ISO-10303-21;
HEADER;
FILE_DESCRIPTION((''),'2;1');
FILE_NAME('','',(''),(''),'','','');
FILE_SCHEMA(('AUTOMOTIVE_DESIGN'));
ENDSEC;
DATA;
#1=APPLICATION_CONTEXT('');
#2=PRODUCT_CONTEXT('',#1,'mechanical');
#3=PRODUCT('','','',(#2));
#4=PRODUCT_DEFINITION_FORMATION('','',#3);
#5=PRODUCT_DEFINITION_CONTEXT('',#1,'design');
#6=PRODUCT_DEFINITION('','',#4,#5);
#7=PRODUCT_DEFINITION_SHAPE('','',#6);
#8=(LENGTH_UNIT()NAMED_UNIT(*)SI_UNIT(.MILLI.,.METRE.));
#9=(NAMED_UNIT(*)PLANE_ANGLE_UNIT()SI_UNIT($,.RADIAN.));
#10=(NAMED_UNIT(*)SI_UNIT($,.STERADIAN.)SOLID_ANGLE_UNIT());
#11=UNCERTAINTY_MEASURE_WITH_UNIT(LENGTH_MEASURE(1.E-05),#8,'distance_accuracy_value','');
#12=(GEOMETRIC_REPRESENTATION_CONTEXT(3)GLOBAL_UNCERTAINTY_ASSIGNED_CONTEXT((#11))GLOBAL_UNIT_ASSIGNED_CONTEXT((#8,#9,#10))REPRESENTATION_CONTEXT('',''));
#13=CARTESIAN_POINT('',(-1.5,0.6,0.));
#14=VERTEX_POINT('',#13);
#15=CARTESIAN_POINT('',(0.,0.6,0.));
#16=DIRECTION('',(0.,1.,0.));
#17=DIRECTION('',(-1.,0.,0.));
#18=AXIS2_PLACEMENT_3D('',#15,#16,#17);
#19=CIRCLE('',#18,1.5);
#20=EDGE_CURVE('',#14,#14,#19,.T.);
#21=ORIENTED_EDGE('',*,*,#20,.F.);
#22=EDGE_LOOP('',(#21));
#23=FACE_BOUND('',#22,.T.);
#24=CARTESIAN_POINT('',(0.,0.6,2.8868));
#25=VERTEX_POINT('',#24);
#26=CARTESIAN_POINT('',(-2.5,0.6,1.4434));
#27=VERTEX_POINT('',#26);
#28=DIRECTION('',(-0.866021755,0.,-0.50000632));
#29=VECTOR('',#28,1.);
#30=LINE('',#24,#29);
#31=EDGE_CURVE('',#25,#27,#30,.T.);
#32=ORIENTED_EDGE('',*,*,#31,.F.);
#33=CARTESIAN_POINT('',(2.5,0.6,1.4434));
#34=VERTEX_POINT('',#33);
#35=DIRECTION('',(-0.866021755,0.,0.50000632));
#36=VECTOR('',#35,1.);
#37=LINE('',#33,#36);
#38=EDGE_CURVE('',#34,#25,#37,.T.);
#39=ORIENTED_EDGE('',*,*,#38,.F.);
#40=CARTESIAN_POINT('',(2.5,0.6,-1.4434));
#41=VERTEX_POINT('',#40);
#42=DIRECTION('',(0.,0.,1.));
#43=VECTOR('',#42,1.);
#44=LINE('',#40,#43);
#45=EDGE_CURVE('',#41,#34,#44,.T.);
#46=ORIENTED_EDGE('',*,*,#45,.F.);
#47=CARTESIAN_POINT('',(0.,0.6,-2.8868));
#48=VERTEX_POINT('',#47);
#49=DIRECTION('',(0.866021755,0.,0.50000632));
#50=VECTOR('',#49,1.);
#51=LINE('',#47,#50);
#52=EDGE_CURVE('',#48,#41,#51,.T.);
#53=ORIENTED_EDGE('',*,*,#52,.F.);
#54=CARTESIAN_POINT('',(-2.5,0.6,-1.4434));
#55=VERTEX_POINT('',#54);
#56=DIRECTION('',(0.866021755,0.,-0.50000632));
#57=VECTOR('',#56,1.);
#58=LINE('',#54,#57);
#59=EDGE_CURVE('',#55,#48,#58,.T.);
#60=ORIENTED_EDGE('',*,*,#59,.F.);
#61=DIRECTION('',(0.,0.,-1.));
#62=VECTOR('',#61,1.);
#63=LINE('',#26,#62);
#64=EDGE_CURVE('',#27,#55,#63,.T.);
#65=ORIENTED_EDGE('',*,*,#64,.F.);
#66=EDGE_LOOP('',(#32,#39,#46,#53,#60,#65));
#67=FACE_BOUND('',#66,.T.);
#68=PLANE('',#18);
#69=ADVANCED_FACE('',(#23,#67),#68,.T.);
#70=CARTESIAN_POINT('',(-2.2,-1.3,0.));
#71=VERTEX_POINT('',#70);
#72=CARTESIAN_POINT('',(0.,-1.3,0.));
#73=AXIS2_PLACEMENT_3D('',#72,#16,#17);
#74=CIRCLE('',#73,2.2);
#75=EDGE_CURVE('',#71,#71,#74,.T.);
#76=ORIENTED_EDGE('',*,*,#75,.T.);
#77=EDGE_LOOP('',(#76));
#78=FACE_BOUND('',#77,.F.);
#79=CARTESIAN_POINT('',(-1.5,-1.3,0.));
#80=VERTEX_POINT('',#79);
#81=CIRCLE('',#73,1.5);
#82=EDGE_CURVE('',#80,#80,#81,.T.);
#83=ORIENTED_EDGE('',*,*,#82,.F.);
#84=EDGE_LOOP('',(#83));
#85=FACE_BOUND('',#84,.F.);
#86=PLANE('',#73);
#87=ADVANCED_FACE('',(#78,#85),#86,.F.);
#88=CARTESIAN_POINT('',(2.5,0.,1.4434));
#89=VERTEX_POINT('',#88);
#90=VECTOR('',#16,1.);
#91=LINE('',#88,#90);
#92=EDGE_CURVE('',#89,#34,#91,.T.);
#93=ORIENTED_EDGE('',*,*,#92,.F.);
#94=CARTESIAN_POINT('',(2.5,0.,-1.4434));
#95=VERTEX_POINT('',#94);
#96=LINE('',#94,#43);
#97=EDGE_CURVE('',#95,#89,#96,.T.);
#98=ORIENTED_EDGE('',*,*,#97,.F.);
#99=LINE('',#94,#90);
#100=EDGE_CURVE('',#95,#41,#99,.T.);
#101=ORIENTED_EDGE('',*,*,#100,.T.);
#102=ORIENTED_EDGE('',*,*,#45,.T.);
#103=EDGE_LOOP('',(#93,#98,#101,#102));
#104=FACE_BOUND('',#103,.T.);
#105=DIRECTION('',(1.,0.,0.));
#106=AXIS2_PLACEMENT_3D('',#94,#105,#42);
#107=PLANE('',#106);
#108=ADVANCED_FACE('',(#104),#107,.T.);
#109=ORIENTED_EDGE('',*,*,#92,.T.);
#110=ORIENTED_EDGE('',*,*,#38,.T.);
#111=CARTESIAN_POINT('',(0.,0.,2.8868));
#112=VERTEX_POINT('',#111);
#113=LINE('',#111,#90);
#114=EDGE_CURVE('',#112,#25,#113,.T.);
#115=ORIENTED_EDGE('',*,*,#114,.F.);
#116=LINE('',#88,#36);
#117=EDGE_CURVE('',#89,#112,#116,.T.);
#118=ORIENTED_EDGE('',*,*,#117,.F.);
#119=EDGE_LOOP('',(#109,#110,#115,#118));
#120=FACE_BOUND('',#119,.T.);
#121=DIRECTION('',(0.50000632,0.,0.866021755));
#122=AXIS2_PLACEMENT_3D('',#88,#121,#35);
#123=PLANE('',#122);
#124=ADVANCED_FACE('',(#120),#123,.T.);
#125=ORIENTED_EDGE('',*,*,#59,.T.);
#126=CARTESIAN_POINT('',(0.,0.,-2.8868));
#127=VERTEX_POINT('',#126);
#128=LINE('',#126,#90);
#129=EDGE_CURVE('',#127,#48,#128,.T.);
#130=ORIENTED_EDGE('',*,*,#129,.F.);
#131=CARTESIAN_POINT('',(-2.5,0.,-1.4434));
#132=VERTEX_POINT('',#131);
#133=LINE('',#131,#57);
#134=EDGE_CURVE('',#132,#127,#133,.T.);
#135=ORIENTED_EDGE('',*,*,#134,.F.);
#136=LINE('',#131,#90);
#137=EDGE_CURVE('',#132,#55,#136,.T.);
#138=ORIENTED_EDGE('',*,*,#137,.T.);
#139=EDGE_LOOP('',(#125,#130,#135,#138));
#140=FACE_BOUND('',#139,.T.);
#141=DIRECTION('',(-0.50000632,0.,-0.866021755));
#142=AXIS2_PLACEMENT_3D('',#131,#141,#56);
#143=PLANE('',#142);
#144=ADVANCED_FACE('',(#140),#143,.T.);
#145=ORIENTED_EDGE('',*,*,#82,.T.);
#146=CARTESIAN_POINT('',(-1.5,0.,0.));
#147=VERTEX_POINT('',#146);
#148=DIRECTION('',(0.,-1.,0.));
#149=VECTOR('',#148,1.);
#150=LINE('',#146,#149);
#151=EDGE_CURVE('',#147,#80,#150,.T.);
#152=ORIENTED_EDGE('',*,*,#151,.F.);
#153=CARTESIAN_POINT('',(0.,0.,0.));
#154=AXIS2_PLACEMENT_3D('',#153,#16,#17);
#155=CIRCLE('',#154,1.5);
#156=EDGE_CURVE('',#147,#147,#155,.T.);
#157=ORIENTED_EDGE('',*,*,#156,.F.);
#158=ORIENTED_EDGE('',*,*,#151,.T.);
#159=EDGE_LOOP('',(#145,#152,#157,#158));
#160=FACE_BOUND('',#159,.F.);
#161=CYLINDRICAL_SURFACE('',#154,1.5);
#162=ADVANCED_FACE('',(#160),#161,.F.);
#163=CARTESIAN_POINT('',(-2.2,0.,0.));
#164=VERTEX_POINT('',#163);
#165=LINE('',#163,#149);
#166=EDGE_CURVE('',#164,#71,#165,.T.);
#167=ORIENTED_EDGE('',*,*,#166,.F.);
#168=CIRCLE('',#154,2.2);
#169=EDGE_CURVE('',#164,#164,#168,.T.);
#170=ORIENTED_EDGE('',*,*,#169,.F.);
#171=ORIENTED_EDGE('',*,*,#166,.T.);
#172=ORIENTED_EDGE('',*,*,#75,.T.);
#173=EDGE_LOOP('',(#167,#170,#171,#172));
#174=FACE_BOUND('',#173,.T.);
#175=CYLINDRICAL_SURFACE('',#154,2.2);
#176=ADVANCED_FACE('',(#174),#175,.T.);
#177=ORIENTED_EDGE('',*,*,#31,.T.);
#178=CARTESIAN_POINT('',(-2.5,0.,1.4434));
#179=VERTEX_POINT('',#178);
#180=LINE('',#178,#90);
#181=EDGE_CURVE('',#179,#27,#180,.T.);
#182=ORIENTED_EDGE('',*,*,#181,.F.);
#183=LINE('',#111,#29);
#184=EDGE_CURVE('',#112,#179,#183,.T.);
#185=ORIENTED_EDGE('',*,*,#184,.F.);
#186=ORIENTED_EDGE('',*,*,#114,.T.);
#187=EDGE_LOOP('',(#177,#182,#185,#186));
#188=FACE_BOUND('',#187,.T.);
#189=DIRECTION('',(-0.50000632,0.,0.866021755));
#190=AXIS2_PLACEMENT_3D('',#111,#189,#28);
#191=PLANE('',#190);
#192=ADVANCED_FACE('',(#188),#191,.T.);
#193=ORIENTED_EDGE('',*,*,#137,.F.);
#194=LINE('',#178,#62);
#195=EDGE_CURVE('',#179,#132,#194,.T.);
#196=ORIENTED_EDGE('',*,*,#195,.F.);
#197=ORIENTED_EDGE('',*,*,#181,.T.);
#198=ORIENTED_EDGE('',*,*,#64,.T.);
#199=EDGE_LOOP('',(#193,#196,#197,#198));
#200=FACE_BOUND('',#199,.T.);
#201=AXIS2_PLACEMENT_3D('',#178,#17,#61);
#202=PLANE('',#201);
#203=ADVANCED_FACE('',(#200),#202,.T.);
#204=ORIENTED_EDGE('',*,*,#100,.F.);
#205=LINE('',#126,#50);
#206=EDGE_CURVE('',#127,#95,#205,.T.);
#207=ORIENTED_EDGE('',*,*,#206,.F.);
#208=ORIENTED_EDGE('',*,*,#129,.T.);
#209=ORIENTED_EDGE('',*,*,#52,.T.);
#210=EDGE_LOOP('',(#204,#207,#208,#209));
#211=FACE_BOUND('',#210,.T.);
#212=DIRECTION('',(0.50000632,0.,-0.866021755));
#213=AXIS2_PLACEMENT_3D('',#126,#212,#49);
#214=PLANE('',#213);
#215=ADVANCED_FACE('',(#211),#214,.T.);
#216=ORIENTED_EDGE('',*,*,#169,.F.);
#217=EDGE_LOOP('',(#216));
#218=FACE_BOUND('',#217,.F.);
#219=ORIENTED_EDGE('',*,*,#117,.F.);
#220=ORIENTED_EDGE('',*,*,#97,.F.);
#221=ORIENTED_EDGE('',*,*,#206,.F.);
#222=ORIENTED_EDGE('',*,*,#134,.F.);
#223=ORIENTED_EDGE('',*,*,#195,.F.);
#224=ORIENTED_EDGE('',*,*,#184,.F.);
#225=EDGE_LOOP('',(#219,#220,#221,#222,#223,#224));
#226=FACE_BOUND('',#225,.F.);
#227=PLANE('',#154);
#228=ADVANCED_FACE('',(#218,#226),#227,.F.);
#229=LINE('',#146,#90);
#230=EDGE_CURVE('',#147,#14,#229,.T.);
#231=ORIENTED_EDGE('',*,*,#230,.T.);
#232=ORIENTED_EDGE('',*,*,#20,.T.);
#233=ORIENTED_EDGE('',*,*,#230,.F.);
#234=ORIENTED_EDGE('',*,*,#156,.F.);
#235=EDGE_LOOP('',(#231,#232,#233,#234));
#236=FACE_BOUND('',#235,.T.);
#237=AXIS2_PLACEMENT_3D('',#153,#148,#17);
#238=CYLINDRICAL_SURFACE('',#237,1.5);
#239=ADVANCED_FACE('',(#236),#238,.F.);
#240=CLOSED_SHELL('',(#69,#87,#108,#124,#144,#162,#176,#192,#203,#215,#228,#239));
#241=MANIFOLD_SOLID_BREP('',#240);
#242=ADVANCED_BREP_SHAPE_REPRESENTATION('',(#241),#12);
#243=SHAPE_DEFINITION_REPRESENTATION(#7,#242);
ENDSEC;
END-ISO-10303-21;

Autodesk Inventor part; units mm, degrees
ref_plane "YZ Plane" through (0, 0, 0) normal (1, 0, 0) x (0, 1, 0)
ref_plane "XZ Plane" through (0, 0, 0) normal (0, 1, 0) x (-1, 0, 0)
ref_plane "XY Plane" through (0, 0, 0) normal (0, 0, 1) x (1, 0, 0)
sketch "スケッチ1" plane through (0, 0, 0) normal (0, 1, 0) x (-1, 0, 0)
  circle A0 centre (0, 0) radius 1.5
  circle A1 centre (0, 0) radius 2.2
  circle A2 centre (0, 0) radius 2.5 construction
  line L0 (2.5, 1.4434) -> (2.5, -1.4434)
  line L1 (2.5, -1.4434) -> (0, -2.8868)
  line L2 (0, -2.8868) -> (-2.5, -1.4434)
  line L3 (-2.5, -1.4434) -> (-2.5, 1.4434)
  line L4 (-2.5, 1.4434) -> (0, 2.8868)
  line L5 (0, 2.8868) -> (2.5, 1.4434)
  line L6 (0, 4.5564) -> (0, -4.4801) construction
  line L7 (3.3581, 0) -> (-3.3581, 0) construction
  point P0 (1.25, 2.1651)
  dimension "d2" = 5
  dimension "d0" = 4.4
  dimension "d1" = 3
extrude "押し出し1" add sketch "スケッチ1" along normal blind 0.6 contours A1 | L0 L1 L2 L3 L4 L5
extrude "押し出し2" add sketch "スケッチ1" against normal blind 1.3 contours A1
thread "ねじ1" size "M3x0.5" class "6H" standard "ANSI Metric M Profile" full length
properties part number "SF319" material "鉄、ダクタイル鋳鉄"
